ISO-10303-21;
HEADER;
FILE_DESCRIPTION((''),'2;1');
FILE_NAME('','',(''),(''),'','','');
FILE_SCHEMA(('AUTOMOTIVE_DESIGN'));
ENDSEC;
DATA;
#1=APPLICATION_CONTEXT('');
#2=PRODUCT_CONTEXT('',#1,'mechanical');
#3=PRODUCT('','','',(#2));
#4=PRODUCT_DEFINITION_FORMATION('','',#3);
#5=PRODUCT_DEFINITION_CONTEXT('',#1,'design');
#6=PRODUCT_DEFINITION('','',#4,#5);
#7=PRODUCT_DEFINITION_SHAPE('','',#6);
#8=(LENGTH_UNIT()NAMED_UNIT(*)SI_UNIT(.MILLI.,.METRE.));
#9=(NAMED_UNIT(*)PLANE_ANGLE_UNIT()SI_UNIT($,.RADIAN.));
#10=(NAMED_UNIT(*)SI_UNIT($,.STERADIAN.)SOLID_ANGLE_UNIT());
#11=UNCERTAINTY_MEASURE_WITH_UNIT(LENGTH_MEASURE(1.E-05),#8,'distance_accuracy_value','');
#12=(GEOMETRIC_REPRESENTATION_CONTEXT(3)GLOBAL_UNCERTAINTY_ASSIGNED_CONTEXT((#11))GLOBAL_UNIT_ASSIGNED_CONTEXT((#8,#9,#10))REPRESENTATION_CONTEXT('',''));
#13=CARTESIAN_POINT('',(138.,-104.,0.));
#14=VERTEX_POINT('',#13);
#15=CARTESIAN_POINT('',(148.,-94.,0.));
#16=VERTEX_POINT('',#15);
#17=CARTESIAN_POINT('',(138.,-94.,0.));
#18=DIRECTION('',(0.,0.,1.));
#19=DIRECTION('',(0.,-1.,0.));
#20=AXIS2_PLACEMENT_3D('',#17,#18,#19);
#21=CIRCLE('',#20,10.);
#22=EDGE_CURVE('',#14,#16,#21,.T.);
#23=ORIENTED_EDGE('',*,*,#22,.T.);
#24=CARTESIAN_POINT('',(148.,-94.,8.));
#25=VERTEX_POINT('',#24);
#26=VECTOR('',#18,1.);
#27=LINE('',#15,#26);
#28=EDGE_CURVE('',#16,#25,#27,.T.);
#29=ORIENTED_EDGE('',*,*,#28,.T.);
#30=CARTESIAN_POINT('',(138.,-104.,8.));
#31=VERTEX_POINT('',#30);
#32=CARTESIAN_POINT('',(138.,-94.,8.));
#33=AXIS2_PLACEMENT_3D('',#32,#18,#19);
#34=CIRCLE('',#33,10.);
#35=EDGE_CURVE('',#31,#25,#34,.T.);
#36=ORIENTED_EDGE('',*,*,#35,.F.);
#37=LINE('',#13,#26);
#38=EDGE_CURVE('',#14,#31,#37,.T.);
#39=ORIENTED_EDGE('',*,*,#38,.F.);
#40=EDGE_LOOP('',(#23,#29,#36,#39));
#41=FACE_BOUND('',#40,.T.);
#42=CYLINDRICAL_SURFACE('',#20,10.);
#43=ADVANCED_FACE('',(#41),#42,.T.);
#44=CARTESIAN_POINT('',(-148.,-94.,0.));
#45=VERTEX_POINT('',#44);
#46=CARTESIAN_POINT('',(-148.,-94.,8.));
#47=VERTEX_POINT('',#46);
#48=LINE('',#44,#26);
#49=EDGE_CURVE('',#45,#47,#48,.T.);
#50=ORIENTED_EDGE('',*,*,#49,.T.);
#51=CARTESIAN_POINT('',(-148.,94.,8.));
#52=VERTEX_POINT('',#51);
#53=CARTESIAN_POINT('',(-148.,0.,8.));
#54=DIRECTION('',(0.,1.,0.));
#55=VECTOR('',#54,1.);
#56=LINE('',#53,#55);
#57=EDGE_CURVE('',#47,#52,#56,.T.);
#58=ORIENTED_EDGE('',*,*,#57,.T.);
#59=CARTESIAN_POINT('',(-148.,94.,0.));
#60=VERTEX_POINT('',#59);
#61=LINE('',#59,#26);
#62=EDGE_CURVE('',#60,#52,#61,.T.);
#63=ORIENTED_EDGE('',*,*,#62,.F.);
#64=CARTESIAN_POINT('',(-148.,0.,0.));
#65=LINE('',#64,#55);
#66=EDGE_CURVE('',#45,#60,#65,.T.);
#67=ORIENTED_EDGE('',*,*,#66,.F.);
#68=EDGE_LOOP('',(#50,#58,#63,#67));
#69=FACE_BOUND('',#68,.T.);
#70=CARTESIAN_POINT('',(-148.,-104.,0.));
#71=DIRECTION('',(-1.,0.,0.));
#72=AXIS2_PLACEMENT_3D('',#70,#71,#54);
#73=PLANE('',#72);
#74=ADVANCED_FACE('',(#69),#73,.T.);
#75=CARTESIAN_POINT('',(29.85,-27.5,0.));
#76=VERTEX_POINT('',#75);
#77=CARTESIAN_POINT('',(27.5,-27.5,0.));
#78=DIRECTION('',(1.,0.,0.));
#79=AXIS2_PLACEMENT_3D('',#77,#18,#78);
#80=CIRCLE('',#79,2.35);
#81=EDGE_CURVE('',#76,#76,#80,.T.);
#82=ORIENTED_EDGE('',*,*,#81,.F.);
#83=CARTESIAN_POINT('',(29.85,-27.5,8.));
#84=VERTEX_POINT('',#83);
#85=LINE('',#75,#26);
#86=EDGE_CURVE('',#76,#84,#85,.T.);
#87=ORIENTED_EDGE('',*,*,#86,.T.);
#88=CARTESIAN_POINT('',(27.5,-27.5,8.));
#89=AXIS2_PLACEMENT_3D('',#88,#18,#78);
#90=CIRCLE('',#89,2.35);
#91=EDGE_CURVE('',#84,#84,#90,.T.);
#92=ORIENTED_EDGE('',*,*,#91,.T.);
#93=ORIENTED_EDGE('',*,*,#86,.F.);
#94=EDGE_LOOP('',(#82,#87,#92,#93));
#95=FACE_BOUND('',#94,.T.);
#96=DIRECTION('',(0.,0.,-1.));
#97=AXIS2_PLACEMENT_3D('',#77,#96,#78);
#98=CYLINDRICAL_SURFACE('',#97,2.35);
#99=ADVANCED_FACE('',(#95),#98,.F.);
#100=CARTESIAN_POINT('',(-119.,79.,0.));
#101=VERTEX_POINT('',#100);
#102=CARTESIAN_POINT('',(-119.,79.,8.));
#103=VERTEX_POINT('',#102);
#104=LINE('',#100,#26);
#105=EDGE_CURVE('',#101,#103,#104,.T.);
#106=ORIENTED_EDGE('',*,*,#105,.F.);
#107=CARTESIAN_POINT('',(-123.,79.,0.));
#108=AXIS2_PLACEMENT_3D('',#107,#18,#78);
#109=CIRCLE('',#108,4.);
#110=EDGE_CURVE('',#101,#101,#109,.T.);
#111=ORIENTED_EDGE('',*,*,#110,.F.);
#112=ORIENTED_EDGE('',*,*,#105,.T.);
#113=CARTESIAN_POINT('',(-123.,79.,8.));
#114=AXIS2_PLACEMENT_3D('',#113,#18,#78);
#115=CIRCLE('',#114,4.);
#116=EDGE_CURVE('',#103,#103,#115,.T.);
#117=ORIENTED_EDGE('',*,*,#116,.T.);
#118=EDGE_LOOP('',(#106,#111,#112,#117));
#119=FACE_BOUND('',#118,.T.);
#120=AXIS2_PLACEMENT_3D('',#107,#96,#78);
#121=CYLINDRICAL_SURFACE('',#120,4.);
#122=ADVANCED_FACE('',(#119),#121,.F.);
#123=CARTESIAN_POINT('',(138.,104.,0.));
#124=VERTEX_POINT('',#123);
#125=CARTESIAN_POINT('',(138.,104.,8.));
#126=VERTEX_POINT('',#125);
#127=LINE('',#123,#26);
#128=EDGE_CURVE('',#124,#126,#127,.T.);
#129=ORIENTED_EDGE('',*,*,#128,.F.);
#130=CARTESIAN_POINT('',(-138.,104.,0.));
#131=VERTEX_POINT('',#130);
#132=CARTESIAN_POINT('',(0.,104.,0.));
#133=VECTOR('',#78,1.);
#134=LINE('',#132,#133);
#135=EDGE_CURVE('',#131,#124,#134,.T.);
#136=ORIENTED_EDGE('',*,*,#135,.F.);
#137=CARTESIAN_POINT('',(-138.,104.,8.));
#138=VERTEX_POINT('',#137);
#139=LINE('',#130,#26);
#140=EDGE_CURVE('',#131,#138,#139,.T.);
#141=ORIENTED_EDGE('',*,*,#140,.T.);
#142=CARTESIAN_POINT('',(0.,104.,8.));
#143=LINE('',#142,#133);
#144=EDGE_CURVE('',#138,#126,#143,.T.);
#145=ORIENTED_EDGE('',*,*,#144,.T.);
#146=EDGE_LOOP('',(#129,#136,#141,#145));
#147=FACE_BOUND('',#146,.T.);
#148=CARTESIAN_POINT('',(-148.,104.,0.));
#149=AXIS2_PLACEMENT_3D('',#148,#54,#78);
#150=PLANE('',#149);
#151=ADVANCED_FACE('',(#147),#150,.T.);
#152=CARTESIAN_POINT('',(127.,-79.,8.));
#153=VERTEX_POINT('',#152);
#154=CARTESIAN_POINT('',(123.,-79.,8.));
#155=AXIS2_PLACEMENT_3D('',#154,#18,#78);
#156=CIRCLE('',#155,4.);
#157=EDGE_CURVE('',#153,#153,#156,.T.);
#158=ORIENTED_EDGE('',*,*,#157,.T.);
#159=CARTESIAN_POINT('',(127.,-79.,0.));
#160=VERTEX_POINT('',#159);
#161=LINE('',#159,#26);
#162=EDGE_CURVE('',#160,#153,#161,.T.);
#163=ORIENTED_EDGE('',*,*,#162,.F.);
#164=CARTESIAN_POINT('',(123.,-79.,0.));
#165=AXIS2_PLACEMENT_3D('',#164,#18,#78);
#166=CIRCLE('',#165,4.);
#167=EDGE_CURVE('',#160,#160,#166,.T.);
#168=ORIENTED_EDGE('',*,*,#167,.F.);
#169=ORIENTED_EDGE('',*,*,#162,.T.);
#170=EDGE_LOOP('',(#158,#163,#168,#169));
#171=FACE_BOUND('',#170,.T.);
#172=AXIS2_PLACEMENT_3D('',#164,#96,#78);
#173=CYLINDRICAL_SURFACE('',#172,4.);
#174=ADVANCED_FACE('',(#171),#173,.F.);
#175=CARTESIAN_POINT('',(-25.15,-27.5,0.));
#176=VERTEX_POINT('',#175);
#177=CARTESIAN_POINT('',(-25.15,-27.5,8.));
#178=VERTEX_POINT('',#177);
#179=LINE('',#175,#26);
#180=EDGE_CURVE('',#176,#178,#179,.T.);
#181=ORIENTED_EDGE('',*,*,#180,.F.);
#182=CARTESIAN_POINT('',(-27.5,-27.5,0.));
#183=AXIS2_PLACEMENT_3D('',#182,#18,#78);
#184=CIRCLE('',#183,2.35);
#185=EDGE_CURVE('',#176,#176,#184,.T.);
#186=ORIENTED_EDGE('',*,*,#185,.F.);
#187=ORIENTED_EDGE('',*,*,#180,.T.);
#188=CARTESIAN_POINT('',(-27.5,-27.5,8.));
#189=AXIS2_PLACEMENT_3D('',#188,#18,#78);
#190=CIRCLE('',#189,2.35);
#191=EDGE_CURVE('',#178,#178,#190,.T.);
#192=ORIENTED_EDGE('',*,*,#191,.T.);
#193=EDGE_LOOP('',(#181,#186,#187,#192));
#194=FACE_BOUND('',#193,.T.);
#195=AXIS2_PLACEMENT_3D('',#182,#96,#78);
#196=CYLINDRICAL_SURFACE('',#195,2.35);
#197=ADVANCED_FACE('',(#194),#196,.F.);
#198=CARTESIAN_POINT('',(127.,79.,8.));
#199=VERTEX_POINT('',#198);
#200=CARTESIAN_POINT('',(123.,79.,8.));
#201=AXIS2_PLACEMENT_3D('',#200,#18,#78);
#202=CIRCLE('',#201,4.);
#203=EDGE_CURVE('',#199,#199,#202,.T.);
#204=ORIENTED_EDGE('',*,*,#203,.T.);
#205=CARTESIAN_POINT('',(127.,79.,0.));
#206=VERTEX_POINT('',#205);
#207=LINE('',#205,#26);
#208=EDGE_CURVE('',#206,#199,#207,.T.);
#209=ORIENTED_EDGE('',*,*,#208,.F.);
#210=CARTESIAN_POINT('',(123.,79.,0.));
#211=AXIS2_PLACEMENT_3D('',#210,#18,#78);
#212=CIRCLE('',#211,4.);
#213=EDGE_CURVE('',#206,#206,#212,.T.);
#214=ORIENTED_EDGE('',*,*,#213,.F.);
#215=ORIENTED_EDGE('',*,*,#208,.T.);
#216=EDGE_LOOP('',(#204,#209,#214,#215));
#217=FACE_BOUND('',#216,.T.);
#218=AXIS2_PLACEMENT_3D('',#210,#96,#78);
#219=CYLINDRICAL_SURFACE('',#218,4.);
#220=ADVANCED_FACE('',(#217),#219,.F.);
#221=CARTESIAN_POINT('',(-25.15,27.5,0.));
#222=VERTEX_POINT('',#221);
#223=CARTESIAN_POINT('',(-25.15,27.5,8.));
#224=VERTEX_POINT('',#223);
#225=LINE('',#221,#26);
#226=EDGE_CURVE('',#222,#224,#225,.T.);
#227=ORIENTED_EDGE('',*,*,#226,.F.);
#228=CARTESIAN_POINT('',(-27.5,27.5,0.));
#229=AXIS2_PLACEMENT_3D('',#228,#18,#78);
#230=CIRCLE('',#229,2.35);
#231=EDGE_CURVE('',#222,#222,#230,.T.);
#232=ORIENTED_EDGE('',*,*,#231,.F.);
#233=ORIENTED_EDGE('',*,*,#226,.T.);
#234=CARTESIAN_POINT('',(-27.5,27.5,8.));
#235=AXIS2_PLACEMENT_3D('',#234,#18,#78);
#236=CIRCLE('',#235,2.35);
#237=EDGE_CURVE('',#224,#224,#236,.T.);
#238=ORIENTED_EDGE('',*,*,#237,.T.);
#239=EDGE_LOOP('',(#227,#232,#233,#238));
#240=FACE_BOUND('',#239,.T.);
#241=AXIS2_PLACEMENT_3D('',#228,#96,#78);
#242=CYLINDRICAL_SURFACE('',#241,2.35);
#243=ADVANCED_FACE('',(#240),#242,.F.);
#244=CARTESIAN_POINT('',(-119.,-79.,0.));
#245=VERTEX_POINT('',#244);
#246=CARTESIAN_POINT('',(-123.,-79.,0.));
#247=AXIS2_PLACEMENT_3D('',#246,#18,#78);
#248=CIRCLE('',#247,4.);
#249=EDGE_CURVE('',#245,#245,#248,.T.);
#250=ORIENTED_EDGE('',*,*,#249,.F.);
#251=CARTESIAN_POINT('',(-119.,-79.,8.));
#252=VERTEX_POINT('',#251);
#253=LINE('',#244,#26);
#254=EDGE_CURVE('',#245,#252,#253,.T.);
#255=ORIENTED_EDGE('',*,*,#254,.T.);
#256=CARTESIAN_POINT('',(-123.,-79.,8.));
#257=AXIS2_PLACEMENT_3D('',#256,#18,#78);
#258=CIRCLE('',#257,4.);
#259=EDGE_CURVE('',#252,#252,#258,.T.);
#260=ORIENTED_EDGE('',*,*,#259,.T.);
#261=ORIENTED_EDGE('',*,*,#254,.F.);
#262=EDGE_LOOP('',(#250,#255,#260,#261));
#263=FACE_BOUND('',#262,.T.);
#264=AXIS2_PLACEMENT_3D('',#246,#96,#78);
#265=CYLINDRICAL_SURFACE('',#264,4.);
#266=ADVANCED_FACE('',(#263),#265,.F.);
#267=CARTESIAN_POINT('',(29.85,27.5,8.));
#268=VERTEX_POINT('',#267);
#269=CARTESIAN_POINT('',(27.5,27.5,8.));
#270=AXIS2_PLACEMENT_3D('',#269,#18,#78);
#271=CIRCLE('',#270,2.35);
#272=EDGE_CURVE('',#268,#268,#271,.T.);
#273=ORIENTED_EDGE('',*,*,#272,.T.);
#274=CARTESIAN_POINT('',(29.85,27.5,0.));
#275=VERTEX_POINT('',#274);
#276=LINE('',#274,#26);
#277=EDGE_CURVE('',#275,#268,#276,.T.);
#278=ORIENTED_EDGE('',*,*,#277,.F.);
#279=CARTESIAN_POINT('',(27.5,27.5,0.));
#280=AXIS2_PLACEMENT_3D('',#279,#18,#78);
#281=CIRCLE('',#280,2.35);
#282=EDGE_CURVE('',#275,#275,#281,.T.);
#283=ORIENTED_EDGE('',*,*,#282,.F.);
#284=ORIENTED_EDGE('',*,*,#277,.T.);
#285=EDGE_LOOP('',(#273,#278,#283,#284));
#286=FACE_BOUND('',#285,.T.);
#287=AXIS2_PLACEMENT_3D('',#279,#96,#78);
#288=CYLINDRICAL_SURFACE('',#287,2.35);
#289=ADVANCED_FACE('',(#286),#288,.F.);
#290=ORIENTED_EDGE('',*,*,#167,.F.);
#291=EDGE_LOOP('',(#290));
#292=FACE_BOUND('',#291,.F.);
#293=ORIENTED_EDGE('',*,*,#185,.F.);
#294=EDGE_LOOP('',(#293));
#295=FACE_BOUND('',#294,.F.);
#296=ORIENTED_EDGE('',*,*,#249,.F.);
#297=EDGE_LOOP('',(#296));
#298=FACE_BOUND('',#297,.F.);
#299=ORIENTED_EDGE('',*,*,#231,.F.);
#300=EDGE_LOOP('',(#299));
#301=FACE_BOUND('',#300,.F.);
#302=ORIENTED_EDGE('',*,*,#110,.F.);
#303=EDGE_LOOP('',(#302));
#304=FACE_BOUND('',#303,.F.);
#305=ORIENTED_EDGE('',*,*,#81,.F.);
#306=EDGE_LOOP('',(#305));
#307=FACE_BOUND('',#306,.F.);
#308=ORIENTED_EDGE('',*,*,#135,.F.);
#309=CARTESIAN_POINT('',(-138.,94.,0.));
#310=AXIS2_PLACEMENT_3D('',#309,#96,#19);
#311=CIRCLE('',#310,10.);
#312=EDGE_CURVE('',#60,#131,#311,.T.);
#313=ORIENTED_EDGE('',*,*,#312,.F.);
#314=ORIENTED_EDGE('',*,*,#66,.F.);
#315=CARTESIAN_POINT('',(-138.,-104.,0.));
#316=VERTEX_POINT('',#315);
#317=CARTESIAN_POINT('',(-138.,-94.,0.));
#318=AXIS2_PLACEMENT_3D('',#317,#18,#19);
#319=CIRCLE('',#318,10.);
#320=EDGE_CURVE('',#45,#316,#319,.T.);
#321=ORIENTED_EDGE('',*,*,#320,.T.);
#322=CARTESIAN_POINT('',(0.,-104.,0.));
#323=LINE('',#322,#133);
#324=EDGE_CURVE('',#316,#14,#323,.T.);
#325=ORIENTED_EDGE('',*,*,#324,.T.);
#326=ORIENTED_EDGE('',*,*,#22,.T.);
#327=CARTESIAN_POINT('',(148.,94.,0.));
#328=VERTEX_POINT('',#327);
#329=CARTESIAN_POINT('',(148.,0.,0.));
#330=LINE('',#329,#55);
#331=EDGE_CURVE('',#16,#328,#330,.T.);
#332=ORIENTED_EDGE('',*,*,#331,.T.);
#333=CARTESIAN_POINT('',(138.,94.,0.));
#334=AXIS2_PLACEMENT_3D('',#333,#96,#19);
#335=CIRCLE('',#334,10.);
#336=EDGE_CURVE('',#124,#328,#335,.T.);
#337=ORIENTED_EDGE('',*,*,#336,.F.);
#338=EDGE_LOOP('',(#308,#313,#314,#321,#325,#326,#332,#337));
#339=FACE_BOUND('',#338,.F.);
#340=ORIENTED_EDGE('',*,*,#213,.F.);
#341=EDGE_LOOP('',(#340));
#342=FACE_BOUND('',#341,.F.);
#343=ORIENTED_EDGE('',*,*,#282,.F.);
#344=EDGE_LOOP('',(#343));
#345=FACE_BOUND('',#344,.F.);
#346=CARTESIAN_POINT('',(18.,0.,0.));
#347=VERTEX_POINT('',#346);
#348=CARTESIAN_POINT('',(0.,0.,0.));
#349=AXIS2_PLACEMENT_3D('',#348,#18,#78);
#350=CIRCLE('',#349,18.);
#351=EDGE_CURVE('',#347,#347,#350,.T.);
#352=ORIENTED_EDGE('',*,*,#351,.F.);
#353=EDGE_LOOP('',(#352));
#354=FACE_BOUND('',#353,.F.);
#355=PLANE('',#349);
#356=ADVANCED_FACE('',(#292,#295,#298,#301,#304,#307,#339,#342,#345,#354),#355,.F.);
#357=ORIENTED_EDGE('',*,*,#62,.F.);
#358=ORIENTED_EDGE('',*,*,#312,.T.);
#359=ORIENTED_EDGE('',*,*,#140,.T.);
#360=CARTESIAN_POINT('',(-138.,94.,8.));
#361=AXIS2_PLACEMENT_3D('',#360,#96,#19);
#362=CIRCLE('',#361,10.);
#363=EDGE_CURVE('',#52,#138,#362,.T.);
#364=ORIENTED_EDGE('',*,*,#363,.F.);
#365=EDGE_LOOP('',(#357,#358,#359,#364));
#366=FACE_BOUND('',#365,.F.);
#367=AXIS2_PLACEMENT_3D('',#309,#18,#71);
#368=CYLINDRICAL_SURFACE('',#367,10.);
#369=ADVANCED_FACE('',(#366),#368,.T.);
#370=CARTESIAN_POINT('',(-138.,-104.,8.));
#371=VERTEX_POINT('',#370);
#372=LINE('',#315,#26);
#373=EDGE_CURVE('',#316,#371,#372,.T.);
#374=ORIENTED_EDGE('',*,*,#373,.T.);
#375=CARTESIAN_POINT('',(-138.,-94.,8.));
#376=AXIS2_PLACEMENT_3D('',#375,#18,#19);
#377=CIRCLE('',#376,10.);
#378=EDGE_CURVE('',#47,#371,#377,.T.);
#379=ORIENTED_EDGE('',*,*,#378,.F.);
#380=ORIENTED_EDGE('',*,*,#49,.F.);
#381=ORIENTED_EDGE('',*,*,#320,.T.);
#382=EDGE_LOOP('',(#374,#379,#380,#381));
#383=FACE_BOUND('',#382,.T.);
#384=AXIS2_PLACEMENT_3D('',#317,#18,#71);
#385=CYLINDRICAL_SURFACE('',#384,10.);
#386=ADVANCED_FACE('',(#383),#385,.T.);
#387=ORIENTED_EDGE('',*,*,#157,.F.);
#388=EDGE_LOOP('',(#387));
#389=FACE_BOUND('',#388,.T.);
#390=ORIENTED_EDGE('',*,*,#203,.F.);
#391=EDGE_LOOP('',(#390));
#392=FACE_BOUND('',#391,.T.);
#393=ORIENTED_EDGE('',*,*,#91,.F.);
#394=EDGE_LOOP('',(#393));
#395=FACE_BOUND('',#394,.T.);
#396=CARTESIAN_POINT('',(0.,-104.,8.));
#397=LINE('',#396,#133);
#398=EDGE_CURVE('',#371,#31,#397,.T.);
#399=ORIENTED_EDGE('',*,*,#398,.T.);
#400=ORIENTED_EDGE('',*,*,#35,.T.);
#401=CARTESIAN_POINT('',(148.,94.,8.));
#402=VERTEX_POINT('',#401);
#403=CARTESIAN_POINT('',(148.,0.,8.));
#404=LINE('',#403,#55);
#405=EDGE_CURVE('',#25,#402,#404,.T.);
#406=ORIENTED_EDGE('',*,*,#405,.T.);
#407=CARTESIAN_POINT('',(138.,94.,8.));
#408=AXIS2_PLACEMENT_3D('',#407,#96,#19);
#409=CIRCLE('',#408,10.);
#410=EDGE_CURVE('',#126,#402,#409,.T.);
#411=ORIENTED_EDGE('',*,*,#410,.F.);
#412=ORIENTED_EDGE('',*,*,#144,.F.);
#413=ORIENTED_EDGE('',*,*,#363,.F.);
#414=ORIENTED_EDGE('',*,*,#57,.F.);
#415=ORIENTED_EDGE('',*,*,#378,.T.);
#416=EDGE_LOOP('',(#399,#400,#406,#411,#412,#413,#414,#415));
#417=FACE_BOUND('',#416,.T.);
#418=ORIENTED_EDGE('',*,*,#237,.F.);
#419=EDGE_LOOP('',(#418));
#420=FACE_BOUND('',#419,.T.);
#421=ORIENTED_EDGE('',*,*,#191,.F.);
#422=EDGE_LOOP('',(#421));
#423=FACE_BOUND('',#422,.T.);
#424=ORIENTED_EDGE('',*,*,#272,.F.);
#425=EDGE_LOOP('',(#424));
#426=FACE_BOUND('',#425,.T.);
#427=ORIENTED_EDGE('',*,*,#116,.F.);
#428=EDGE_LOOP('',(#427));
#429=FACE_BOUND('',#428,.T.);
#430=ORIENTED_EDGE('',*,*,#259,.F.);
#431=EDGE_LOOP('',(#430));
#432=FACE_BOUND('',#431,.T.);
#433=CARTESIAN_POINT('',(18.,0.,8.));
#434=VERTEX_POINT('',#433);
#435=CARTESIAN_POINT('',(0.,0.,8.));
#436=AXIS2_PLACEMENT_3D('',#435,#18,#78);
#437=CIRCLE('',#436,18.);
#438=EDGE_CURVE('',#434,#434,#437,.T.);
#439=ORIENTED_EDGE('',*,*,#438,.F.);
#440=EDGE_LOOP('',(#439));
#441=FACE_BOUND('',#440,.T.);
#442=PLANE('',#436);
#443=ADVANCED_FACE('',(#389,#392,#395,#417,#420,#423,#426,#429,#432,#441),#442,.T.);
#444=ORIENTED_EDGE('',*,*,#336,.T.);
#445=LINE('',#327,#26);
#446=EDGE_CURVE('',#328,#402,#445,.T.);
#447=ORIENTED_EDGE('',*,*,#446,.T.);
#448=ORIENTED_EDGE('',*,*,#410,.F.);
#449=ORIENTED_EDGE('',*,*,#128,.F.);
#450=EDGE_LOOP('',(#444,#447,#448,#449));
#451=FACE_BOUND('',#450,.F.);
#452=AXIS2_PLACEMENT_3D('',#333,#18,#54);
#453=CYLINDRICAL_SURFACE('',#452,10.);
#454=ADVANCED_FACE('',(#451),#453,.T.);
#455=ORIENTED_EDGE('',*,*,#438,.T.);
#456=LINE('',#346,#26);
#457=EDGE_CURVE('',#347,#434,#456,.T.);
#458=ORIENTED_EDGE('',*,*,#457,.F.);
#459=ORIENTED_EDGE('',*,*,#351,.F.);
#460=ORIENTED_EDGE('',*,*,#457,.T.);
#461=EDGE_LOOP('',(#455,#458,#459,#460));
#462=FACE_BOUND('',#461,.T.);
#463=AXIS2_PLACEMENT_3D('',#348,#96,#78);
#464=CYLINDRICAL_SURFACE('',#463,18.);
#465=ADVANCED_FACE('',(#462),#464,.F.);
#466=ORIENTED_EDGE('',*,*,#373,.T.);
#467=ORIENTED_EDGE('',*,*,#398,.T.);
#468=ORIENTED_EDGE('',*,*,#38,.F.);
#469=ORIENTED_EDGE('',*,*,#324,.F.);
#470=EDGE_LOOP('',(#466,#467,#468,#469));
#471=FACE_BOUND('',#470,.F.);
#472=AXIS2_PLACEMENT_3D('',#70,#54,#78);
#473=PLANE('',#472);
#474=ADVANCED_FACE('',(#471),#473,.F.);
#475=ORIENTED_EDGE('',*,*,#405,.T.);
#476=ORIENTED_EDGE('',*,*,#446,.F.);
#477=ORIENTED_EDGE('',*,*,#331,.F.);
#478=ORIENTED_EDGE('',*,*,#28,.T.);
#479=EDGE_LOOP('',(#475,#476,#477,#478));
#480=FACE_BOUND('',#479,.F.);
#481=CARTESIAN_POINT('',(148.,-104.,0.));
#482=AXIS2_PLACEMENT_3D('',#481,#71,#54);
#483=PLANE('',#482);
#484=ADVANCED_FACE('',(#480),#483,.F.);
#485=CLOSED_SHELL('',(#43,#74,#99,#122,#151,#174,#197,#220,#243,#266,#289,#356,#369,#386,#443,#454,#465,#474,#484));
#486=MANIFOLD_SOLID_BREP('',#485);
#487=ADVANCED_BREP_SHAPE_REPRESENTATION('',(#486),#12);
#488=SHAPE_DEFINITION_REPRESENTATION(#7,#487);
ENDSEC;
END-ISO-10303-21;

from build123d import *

# Parameters (mm, degrees)
F0_W     = 296
F0_H     = 208
F0_R     = 4
F0_R_2   = 2.35
F0_R_3   = 18
F1_DEPTH = 8
F2_R     = 10


with BuildPart() as f1:
    # F0 (on Top) → F1 (new body)
    with BuildSketch(Plane.XY):
        Rectangle(F0_W, F0_H)
        with Locations((-123, -79)):
            Circle(F0_R, mode=Mode.SUBTRACT)
        with Locations((-27.5, -27.5)):
            Circle(F0_R_2, mode=Mode.SUBTRACT)
        with Locations((123, -79)):
            Circle(F0_R, mode=Mode.SUBTRACT)
        with Locations((27.5, -27.5)):
            Circle(F0_R_2, mode=Mode.SUBTRACT)
        with Locations((-27.5, 27.5)):
            Circle(F0_R_2, mode=Mode.SUBTRACT)
        with Locations((-123, 79)):
            Circle(F0_R, mode=Mode.SUBTRACT)
        Circle(F0_R_3, mode=Mode.SUBTRACT)
        with Locations((27.5, 27.5)):
            Circle(F0_R_2, mode=Mode.SUBTRACT)
        with Locations((123, 79)):
            Circle(F0_R, mode=Mode.SUBTRACT)
    extrude(amount=F1_DEPTH)

    # F2
    f2_edges = [f1.edges().sort_by_distance(p)[0] for p in [
        (-148, 104, 4),
        (-148, -104, 4),
        (148, -104, 4),
        (148, 104, 4),
    ]]
    fillet(f2_edges, radius=F2_R)


solid = f1.part
